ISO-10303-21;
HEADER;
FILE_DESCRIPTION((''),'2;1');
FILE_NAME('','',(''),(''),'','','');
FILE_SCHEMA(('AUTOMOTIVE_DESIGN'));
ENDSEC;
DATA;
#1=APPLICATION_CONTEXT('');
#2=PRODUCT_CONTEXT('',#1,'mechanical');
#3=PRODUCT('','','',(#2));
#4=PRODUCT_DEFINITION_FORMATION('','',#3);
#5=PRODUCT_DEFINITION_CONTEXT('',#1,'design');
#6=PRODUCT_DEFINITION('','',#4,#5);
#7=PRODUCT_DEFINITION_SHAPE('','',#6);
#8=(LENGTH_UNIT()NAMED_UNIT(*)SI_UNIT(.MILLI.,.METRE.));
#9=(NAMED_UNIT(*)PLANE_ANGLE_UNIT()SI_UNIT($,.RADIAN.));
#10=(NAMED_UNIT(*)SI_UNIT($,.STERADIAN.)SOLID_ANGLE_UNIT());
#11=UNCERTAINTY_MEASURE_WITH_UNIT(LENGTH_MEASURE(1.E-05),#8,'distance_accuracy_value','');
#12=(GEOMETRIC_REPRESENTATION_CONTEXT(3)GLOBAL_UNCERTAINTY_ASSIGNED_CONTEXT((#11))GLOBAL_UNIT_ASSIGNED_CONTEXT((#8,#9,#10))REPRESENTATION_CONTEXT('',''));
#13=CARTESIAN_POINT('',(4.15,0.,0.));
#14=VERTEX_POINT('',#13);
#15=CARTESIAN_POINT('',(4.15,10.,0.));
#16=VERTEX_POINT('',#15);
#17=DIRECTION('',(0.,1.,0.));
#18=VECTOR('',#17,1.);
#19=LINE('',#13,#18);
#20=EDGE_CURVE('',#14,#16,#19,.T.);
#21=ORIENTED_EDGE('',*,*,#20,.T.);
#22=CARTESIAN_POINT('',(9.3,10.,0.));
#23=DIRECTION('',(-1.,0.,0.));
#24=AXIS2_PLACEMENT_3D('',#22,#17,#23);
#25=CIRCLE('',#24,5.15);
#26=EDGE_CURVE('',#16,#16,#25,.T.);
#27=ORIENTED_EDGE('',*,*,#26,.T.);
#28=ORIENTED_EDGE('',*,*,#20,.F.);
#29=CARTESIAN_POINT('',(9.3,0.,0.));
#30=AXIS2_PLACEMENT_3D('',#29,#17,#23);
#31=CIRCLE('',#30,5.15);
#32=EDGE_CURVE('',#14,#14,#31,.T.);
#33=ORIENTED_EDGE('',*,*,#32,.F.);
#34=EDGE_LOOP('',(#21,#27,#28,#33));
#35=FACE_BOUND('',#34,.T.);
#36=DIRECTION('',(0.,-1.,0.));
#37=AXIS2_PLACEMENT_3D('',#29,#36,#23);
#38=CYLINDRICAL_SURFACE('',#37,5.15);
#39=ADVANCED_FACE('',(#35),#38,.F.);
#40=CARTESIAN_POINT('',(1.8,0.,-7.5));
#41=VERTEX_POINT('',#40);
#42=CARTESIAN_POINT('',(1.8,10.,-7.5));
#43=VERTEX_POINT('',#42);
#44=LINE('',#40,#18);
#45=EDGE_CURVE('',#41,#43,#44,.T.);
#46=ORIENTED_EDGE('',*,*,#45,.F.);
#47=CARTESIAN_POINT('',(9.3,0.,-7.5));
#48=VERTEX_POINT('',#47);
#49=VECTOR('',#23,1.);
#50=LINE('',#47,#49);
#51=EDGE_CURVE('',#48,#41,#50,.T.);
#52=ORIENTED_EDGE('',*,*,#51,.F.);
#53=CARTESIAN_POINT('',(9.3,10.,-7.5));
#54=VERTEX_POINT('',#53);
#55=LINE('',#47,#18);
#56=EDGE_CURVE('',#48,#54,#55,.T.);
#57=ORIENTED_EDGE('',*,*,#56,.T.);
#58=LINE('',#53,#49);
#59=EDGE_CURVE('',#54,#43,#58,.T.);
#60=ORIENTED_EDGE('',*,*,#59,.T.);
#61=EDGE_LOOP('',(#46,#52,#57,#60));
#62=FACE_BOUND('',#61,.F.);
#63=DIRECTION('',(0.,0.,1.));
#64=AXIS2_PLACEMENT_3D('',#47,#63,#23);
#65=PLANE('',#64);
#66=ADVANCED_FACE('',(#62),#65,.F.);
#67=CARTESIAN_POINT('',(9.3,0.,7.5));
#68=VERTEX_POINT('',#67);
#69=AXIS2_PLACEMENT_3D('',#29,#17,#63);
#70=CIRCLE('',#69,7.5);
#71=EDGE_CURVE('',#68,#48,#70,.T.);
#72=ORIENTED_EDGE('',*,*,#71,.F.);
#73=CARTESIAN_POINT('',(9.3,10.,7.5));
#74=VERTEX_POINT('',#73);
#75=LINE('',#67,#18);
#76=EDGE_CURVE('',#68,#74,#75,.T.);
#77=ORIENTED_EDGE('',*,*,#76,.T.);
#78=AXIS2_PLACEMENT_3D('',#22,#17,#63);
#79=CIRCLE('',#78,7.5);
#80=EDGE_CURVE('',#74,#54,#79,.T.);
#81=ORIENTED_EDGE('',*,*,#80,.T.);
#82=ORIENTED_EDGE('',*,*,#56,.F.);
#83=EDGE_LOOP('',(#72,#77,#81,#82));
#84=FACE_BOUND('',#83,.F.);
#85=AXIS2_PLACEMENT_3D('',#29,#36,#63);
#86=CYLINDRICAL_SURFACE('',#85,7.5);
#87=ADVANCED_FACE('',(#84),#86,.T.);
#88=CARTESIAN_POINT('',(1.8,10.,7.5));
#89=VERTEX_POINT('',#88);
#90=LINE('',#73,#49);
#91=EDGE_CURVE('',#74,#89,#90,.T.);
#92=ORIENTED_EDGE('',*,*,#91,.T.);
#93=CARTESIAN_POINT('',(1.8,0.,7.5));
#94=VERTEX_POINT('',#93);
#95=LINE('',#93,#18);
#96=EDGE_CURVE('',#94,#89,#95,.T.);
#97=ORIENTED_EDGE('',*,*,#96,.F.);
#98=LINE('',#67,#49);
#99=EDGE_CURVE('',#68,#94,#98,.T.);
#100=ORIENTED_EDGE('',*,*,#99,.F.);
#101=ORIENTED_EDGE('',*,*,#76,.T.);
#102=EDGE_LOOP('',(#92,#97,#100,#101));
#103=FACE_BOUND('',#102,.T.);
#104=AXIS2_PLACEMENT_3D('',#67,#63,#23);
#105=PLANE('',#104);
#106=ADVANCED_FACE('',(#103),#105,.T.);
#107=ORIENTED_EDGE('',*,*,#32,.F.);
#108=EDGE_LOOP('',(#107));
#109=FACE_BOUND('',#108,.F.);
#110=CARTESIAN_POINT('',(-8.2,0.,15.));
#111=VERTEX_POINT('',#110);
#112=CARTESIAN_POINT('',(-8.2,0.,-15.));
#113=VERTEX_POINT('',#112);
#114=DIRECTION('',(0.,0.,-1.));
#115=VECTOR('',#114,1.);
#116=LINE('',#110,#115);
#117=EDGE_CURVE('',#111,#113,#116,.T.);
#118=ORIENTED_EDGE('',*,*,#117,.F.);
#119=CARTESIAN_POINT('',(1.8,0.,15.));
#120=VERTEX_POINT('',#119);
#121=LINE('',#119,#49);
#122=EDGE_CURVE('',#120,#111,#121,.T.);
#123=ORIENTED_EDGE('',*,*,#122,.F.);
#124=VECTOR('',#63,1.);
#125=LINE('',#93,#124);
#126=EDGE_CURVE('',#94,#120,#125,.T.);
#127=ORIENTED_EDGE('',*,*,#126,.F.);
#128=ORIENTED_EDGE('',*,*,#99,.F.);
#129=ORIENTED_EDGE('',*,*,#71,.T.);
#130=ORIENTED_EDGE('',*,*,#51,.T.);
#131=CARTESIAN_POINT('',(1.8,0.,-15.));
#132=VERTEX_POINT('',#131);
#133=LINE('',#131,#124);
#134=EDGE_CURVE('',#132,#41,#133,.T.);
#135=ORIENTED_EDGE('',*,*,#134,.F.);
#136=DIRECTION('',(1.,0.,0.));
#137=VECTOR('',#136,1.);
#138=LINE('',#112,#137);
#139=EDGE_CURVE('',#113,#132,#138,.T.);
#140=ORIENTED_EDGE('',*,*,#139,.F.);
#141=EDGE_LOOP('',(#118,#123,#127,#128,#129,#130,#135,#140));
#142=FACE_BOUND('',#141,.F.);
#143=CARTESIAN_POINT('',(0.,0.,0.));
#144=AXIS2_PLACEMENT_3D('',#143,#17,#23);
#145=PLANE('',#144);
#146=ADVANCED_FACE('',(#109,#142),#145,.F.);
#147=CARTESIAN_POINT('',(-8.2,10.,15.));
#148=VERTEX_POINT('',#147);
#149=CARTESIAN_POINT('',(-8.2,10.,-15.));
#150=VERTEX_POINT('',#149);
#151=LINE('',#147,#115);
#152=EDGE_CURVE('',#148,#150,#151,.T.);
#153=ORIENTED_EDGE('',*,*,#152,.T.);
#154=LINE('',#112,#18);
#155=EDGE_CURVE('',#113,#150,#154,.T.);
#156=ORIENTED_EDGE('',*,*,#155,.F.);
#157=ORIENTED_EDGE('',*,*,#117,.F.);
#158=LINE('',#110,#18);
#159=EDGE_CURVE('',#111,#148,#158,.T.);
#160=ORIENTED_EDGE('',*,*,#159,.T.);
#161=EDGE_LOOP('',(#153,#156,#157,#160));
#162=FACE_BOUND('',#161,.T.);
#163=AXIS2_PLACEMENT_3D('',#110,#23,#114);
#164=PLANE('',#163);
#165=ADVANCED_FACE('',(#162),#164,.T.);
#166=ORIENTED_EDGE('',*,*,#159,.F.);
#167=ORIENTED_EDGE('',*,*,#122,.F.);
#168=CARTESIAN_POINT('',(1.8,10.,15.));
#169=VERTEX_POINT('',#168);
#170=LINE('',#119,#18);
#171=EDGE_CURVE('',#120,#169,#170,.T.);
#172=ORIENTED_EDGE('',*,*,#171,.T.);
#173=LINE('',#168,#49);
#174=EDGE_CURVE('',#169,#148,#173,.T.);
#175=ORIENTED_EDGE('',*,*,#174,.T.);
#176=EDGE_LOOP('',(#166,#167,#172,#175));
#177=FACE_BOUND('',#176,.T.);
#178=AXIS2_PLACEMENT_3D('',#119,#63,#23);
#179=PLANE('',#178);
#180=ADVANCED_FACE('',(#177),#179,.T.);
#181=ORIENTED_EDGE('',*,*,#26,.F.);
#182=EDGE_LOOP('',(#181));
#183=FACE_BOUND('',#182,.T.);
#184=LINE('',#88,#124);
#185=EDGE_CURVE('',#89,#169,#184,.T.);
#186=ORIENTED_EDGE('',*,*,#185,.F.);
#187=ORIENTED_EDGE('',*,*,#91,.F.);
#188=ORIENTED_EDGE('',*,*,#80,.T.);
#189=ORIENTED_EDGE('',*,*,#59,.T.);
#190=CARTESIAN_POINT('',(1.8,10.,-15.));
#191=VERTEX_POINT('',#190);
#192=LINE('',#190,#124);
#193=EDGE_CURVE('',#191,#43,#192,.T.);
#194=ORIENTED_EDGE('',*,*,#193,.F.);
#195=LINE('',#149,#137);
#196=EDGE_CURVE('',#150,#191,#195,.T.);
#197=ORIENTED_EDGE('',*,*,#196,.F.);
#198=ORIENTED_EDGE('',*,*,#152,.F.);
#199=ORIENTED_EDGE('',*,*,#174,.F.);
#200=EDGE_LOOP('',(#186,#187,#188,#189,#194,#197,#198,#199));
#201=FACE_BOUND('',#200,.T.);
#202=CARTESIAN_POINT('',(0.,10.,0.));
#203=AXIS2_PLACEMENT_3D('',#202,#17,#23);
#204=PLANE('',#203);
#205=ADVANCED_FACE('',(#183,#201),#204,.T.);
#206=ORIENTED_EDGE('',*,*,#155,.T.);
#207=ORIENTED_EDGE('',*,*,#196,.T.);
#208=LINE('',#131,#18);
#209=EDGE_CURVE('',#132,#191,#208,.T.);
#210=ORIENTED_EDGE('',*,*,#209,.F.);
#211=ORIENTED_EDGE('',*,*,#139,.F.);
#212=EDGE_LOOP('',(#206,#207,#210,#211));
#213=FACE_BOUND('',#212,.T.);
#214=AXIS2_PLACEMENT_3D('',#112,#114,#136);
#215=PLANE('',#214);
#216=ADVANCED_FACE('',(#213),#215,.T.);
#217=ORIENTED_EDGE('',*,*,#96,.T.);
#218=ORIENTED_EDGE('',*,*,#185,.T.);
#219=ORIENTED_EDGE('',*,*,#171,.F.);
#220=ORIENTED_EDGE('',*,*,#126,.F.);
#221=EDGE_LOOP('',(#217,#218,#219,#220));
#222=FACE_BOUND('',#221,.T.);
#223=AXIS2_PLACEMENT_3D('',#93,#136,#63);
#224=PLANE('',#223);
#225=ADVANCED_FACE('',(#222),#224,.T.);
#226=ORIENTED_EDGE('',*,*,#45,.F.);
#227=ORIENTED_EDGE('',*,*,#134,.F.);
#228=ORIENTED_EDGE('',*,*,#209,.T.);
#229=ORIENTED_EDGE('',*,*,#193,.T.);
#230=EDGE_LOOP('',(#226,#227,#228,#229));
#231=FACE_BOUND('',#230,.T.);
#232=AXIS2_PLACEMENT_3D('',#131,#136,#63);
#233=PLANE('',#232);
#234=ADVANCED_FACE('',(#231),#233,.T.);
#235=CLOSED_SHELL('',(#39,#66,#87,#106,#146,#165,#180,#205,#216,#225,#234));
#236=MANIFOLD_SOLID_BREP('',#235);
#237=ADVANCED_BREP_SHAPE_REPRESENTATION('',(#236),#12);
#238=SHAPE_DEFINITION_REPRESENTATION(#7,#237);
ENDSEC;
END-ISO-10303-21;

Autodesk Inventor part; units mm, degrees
ref_plane "YZ Plane" through (0, 0, 0) normal (1, 0, 0) x (0, 1, 0)
ref_plane "XZ Plane" through (0, 0, 0) normal (0, 1, 0) x (-1, 0, 0)
ref_plane "XY Plane" through (0, 0, 0) normal (0, 0, 1) x (1, 0, 0)
sketch "Skizze1" plane through (0, 0, 0) normal (0, 1, 0) x (-1, 0, 0)
  line L0 (-1.8, 15) -> (8.2, 15)
  line L1 (8.2, 15) -> (8.2, -15)
  line L2 (8.2, -15) -> (-1.8, -15)
  line L3 (16.5068, 0) -> (-47.7946, 0) construction
  arc A0 (-9.3, 7.5) -> (-9.3, -7.5) centre (-9.3, 0) ccw
  circle A1 centre (-9.3, 0) radius 5.15
  line L4 (-1.8, -15) -> (-1.8, -7.5)
  line L5 (-1.8, 7.5) -> (-1.8, 15)
  line L6 (-9.3, 7.5) -> (-1.8, 7.5)
  line L7 (-9.3, -7.5) -> (-1.8, -7.5)
  point P0 (0, 0)
  dimension "d0" = 30
  dimension "d1" = 15
  dimension "d2" = 10.3
  dimension "d3" = 15
  dimension "d7" = 10
  dimension "d8" = 17.5
  dimension "d14" = 7.5
  dimension "d15" = 7.5
  dimension "d16" = 1.8
  dimension "d17" = 1.8
extrude "Extrusion1" add sketch "Skizze1" along normal blind 10
properties part number "Achsenhalterung"
